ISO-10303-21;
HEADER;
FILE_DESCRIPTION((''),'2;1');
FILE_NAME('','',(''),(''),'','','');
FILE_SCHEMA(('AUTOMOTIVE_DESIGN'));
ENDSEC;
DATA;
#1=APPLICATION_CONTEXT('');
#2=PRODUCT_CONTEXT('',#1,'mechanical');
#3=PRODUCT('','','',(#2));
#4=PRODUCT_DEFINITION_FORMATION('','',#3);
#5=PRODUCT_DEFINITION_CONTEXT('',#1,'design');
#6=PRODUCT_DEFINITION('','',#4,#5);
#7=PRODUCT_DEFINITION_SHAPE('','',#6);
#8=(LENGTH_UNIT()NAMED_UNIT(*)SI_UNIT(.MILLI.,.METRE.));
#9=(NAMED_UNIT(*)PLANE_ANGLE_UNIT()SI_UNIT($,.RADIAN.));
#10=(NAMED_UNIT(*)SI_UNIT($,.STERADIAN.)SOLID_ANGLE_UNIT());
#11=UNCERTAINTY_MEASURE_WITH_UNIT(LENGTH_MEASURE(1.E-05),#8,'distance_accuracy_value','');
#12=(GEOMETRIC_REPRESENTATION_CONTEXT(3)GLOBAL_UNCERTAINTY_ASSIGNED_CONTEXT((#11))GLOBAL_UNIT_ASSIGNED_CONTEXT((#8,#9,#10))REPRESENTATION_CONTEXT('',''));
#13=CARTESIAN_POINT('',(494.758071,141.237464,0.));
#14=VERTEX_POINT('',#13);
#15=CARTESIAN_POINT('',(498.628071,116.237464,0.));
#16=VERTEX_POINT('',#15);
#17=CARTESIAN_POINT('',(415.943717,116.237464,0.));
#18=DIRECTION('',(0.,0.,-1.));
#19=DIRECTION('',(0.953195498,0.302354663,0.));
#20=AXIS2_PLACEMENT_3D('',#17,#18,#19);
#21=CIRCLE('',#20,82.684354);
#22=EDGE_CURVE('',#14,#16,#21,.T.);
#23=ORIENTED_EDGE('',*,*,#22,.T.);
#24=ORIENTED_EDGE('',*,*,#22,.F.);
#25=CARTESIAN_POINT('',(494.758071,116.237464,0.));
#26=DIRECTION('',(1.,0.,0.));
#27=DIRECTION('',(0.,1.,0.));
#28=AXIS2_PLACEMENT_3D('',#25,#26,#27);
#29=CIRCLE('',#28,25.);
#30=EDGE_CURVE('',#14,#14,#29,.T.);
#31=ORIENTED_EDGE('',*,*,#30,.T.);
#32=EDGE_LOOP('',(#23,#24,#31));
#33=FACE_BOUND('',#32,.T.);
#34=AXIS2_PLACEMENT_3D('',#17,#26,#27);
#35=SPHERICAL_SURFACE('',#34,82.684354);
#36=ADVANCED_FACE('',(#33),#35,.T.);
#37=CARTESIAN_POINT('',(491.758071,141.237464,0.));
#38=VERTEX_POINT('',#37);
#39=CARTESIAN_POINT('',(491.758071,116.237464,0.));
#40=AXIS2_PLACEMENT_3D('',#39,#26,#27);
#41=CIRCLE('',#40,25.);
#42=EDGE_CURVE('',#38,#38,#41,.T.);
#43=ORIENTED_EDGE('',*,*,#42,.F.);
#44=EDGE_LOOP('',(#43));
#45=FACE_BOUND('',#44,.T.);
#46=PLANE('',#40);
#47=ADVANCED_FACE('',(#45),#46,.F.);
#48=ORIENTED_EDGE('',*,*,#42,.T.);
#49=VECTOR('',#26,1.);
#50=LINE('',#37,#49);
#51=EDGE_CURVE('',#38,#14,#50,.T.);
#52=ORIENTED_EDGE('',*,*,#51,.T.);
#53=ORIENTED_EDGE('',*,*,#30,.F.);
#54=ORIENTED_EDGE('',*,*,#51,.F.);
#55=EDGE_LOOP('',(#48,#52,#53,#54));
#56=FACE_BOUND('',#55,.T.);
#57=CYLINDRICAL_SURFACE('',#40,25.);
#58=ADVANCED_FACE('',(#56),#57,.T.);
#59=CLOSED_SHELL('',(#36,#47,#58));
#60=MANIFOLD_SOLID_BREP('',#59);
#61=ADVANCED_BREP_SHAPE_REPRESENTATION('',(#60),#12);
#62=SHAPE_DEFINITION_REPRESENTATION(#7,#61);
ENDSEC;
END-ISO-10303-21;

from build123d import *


with BuildPart() as part:
    # 草图1 → 旋转1 (revolve)
    with BuildSketch(Plane.XY):
        with BuildLine():
            Line((491.758071335, 116.237463983), (491.758071335, 141.237463983))
            Line((491.758071335, 141.237463983), (494.758071335, 141.237463983))
            ThreePointArc((494.758071335, 141.237463983), (497.654843697, 128.886346345), (498.628071335, 116.237463983))
            Line((498.628071335, 116.237463983), (491.758071335, 116.237463983))
        make_face()
    revolve(axis=Axis((487.786296046, 116.237463983, 0), (1, 0, 0)))


solid = part.part
